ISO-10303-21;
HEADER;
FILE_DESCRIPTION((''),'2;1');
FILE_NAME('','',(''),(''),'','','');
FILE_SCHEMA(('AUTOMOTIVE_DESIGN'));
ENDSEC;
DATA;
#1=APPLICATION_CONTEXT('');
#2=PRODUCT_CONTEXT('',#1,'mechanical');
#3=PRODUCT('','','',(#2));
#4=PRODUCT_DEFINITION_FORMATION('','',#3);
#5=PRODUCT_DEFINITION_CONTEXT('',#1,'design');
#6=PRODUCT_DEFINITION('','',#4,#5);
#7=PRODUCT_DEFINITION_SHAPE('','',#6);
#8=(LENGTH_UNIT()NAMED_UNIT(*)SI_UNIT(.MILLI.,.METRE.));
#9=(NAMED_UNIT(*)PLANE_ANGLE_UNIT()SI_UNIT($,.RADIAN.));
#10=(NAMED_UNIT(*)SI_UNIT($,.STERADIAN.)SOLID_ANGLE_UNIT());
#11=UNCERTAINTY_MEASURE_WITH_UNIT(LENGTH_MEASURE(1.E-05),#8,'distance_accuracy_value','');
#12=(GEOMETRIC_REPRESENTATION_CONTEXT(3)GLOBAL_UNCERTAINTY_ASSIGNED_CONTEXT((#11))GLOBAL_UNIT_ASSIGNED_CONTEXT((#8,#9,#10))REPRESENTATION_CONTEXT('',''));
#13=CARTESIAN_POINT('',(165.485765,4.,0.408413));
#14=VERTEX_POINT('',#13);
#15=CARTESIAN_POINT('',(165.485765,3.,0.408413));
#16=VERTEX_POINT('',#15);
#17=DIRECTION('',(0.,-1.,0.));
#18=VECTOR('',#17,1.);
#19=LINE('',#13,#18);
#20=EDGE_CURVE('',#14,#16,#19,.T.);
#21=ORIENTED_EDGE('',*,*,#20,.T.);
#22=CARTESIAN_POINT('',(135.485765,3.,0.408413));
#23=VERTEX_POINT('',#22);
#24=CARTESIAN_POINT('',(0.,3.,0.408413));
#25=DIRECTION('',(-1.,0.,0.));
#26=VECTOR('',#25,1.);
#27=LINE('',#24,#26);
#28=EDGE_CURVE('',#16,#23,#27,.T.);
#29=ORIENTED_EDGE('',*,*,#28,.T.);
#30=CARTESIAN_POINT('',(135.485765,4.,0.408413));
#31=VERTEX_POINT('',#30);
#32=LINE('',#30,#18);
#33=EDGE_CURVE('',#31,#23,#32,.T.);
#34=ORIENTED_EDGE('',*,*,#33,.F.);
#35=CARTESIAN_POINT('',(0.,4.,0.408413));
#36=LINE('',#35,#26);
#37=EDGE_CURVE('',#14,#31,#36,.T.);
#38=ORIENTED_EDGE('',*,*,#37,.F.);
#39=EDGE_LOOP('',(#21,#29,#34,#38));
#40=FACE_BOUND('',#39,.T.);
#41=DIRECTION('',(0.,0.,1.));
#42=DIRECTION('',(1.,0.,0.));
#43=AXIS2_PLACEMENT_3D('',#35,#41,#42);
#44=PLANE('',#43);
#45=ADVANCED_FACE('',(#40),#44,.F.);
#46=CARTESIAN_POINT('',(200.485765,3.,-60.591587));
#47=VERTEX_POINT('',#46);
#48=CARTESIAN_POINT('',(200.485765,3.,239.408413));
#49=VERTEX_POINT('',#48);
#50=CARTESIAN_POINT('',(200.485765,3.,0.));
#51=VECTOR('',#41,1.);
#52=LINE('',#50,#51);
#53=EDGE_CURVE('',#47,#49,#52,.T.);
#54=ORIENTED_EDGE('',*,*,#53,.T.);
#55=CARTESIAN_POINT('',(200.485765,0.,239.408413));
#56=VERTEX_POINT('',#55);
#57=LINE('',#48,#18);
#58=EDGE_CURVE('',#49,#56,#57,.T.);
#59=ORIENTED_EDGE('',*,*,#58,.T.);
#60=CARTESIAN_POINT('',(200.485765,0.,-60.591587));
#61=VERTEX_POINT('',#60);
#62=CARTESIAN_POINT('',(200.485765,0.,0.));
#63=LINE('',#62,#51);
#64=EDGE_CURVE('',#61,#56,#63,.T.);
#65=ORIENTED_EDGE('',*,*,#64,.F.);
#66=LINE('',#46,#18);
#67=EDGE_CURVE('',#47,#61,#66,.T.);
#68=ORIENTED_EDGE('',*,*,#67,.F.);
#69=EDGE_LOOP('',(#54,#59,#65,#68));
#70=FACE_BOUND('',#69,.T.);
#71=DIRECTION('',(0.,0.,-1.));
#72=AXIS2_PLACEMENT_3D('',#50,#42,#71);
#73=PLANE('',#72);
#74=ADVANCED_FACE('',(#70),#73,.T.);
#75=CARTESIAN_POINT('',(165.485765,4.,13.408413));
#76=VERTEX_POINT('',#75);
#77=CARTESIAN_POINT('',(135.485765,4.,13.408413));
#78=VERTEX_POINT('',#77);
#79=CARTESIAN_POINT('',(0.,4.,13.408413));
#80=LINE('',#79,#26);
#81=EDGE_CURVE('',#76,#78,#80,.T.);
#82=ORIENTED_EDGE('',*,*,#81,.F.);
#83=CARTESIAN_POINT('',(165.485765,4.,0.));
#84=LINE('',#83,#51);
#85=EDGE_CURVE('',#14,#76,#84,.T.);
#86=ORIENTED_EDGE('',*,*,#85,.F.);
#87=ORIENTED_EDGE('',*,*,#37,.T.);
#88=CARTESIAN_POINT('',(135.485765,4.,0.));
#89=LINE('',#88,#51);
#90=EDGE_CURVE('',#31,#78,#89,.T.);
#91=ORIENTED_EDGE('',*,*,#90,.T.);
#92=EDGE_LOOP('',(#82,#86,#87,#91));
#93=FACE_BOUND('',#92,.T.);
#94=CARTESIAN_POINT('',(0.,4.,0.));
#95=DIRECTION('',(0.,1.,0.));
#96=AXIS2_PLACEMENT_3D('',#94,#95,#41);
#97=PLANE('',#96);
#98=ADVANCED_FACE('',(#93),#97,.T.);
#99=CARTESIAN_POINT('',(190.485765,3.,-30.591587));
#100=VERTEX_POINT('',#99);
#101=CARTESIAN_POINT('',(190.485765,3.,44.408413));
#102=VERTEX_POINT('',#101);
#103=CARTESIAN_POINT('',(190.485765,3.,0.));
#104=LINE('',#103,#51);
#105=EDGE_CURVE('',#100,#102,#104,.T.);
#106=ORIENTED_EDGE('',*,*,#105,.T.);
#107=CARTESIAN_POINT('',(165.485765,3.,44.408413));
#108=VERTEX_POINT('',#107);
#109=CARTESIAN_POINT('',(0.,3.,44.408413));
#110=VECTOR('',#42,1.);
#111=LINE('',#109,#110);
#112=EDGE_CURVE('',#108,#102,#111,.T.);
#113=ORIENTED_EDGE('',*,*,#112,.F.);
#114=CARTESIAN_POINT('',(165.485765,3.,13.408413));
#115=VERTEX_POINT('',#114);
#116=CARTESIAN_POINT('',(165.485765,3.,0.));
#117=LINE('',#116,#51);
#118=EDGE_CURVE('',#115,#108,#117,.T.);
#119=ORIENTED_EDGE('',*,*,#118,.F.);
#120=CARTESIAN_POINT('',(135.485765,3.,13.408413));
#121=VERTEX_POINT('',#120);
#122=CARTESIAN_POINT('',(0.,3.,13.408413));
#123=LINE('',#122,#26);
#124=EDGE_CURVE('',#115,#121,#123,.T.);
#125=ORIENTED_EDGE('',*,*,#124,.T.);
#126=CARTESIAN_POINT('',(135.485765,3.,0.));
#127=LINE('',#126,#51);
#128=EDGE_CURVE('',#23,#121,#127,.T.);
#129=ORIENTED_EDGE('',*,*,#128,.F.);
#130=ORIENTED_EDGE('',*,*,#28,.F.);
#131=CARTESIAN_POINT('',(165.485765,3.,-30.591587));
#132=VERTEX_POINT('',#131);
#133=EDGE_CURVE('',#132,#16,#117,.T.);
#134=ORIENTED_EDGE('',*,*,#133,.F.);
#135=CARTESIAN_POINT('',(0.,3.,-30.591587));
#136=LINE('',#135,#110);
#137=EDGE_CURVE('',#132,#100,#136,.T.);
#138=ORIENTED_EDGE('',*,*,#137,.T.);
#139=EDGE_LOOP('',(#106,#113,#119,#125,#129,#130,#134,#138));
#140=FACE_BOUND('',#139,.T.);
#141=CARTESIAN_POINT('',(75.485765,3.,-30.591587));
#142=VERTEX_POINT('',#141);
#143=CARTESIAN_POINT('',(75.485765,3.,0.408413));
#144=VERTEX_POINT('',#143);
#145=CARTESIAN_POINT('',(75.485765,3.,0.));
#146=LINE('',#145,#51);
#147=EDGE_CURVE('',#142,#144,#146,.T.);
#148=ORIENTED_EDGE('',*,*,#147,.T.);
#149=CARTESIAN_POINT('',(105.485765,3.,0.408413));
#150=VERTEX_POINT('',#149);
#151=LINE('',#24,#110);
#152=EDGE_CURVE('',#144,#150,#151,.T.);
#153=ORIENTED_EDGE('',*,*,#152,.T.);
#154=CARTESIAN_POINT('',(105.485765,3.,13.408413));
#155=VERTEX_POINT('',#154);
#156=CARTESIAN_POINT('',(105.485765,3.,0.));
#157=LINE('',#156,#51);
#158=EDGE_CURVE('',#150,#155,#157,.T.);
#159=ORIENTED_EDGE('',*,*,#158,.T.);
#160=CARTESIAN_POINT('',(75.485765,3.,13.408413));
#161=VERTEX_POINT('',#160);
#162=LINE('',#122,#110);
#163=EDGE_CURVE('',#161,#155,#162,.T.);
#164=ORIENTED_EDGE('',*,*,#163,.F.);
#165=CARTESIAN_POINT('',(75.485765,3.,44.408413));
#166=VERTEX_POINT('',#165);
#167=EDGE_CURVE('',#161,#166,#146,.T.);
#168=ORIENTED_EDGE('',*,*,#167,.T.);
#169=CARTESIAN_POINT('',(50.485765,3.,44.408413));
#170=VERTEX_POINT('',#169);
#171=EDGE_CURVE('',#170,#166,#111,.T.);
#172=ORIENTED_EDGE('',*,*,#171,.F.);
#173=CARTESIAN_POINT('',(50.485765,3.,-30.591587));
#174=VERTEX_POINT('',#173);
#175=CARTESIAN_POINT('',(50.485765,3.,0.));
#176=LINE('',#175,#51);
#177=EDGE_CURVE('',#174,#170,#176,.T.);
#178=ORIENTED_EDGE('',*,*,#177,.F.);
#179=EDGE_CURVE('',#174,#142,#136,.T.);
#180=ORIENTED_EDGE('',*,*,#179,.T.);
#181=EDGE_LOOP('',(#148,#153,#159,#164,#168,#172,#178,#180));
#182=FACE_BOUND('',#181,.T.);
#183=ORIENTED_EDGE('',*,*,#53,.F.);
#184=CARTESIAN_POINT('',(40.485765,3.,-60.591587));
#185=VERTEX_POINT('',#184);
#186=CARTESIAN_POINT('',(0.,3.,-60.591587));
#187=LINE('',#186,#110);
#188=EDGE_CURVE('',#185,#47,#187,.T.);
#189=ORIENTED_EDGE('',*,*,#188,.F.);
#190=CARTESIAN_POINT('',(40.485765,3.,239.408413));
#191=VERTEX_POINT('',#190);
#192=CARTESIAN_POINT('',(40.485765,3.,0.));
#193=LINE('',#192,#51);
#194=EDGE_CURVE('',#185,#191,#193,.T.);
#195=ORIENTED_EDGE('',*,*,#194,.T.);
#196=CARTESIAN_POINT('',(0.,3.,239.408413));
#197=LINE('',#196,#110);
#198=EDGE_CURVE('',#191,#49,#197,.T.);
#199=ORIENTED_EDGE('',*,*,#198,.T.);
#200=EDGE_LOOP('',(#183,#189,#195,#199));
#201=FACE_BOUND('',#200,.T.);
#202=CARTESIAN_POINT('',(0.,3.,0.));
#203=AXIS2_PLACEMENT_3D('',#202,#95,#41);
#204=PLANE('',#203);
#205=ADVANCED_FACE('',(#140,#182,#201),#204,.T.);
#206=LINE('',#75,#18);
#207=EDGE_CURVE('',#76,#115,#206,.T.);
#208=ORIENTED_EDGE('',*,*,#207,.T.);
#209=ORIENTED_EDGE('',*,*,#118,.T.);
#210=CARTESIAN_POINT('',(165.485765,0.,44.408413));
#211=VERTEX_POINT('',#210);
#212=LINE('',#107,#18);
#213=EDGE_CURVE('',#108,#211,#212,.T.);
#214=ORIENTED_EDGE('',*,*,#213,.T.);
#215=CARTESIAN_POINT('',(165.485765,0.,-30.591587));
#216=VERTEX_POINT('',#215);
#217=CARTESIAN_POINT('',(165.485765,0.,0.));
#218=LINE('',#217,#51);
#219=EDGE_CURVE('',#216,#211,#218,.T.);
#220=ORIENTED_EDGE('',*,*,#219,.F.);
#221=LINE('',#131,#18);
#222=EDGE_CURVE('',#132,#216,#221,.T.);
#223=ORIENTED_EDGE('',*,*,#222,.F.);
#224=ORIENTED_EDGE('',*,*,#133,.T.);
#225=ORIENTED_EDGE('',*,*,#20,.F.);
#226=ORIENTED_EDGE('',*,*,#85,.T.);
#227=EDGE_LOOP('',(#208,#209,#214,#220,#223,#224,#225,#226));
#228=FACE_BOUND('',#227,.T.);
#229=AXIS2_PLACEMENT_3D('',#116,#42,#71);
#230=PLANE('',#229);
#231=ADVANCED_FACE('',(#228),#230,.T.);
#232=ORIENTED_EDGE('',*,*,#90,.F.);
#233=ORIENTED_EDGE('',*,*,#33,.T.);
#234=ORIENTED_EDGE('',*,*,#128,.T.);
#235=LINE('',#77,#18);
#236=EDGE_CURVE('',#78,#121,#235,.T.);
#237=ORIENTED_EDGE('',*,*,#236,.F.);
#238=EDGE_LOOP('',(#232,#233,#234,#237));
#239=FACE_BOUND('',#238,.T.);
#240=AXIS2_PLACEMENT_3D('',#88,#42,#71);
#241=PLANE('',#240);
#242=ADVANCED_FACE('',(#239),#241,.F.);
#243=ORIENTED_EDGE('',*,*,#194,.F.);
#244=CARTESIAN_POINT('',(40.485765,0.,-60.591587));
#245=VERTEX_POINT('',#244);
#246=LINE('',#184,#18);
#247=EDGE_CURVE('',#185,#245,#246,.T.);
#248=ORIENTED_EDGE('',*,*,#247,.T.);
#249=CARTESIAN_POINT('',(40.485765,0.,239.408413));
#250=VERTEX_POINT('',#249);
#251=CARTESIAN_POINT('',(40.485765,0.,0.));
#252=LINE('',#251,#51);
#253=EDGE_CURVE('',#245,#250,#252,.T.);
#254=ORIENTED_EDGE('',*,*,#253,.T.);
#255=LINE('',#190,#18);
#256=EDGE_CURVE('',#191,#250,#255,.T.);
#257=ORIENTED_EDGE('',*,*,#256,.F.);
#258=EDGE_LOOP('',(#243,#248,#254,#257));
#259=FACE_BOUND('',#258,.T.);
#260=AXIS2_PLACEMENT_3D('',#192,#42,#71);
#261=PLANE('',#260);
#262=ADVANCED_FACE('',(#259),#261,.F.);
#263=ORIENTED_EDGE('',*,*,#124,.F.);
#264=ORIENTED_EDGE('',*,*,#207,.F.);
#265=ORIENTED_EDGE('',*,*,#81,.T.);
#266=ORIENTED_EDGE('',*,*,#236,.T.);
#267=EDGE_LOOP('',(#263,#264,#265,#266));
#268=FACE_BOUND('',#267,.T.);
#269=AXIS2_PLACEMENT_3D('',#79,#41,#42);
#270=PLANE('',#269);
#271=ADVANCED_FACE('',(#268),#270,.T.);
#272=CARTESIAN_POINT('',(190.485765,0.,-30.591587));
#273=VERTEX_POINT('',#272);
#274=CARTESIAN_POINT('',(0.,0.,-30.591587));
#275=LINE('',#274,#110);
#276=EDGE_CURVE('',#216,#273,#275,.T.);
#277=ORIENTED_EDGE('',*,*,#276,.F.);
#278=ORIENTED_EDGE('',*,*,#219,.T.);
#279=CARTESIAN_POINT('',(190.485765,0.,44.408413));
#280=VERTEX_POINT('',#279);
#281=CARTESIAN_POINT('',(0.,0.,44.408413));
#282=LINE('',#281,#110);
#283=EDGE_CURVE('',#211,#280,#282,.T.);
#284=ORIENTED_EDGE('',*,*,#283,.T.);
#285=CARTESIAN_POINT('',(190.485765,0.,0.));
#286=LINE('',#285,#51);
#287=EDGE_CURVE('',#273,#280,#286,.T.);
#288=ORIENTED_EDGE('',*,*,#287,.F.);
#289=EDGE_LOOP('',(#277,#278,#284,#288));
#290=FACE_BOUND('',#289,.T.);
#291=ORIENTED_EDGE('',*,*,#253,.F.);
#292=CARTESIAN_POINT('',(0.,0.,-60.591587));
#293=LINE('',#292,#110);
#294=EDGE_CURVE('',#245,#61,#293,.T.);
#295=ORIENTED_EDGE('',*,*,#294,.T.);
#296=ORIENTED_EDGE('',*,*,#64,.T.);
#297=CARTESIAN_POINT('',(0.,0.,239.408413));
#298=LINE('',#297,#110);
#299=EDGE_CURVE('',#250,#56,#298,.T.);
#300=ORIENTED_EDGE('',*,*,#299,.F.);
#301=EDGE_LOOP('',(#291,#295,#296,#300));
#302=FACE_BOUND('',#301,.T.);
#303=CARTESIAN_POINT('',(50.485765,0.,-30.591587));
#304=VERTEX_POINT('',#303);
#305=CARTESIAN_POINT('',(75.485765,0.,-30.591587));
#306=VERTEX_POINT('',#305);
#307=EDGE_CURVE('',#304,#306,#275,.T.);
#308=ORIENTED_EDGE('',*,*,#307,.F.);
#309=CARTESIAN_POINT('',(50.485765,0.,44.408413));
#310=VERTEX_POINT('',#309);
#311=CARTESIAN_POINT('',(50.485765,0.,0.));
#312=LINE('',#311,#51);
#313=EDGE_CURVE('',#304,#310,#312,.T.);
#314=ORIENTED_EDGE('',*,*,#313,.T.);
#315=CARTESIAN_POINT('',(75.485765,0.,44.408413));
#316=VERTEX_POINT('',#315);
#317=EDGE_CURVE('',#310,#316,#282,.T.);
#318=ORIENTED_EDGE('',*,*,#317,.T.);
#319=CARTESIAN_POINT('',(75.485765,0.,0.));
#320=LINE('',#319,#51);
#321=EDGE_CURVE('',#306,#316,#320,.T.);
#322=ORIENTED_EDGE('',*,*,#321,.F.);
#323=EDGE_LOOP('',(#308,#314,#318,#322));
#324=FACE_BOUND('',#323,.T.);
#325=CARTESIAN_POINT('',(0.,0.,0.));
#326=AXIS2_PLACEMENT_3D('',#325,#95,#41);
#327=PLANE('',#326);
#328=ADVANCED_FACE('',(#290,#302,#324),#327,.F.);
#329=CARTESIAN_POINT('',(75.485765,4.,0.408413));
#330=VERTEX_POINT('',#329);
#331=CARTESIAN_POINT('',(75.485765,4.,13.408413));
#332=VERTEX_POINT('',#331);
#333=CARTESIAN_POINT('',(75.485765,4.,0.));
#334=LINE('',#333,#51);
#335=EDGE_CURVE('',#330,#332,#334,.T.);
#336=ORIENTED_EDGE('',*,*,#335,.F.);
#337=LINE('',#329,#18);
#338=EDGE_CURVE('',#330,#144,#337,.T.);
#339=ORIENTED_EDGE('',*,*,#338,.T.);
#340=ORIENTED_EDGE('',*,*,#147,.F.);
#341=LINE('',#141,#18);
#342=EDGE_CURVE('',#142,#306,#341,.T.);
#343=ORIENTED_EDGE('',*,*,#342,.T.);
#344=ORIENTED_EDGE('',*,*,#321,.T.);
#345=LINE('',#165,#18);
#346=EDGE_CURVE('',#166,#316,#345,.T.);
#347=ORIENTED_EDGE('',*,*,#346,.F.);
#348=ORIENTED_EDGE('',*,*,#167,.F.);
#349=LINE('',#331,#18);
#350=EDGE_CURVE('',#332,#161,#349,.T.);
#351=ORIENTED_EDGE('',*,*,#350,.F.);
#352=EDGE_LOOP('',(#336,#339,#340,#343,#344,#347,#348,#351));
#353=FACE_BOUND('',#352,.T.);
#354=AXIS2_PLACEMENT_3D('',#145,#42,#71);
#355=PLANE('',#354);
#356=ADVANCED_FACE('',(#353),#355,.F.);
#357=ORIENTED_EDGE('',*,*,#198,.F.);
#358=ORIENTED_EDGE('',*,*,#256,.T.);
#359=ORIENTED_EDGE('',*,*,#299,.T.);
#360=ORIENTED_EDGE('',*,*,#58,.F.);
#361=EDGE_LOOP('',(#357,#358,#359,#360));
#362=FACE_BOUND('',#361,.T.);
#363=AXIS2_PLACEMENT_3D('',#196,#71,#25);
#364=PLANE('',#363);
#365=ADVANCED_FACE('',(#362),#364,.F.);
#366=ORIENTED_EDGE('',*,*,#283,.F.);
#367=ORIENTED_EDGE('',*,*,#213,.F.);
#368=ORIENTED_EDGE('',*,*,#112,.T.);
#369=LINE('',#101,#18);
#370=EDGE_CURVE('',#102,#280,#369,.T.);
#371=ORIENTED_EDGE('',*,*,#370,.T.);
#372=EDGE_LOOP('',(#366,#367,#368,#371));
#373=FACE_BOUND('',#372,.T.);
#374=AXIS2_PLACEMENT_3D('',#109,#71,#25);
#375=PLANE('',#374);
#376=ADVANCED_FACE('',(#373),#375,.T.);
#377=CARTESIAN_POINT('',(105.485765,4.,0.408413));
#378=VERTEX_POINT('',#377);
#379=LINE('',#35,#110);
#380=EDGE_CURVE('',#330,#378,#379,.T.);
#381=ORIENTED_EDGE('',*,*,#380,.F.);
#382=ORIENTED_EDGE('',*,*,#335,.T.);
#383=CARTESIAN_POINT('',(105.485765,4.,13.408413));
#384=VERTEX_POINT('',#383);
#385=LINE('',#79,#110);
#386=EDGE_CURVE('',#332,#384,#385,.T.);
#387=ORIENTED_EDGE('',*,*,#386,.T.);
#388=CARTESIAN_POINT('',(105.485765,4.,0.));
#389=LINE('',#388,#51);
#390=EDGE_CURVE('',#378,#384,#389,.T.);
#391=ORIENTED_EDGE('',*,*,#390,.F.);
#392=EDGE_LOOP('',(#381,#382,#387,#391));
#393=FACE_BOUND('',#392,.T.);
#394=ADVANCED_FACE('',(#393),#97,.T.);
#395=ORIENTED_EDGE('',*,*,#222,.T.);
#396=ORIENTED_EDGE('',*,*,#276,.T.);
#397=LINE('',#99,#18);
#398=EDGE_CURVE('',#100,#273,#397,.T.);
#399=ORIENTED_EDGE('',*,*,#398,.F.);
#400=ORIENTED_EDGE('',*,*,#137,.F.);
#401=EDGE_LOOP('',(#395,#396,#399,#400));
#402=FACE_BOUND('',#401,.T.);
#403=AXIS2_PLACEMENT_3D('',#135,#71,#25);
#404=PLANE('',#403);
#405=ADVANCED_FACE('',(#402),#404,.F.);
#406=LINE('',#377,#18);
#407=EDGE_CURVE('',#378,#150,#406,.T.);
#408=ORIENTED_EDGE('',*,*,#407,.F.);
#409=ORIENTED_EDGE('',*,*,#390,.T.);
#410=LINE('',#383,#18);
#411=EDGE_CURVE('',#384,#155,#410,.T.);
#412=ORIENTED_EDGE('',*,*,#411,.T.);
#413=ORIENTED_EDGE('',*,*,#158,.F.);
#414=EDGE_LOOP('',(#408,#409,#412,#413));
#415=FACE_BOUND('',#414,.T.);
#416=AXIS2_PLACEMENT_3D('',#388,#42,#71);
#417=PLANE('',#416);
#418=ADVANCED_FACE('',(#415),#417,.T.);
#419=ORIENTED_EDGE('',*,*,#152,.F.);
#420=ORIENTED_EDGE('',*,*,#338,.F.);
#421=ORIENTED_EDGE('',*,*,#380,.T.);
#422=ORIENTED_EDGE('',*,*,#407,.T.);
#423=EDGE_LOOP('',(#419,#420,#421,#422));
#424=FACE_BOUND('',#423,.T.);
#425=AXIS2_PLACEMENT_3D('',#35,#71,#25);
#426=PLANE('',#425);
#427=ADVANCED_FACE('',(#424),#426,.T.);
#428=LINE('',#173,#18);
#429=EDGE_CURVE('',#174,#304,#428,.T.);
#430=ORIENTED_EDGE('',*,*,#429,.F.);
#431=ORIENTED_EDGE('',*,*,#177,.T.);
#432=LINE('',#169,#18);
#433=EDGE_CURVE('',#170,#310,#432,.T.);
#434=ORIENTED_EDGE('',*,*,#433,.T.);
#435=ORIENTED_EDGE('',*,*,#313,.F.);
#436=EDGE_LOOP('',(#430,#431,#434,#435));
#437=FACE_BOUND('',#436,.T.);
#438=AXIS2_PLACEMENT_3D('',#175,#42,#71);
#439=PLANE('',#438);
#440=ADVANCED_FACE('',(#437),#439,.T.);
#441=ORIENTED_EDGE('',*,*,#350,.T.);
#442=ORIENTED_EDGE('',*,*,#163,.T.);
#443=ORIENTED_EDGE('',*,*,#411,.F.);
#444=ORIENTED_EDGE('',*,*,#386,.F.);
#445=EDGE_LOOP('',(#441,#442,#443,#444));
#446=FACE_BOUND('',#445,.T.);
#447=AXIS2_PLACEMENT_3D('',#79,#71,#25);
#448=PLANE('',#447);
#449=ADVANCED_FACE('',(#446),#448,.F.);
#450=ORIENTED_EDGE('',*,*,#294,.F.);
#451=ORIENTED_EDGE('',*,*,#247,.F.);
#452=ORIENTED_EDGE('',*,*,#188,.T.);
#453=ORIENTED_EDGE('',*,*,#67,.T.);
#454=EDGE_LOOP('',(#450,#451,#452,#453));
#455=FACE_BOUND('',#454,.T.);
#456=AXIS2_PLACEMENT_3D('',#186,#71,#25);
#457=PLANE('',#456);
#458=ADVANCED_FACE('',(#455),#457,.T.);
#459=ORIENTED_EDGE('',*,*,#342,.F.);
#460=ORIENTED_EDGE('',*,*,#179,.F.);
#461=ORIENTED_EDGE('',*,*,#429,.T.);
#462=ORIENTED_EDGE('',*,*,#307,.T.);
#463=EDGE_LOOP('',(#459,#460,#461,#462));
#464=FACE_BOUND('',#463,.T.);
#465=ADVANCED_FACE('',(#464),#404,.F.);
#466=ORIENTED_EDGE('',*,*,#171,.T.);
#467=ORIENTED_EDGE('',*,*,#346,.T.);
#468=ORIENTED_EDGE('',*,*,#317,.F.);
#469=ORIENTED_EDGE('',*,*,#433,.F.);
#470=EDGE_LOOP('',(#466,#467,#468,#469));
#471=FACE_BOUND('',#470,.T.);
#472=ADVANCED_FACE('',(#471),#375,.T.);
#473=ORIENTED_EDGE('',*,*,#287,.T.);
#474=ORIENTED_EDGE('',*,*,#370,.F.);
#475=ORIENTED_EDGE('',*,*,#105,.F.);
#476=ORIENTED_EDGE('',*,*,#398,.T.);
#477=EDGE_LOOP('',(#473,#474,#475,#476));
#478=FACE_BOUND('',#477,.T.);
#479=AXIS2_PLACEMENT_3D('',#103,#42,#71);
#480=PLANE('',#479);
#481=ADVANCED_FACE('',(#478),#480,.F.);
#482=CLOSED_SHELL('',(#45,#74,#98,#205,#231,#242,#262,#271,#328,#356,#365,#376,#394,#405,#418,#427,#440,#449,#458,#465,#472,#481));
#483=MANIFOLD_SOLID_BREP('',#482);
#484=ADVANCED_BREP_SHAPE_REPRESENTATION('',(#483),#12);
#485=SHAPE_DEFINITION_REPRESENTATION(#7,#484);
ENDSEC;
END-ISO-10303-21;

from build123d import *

# Parameters (mm, degrees)
SKETCH1_W           = 160
SKETCH1_H           = 300
BOSS_EXTRUDE1_DEPTH = 3
SKETCH1_3_W         = 30
SKETCH1_3_H         = 13
BOSS_EXTRUDE2_DEPTH = 4


with BuildPart() as part:
    # Sketch1 → Boss-Extrude1 (new body)
    with BuildSketch(Plane(origin=(0, 0, 0), x_dir=(1, 0, 0), z_dir=(0, 1, 0))):
        with Locations((120.485764952, -89.40841277)):
            Rectangle(SKETCH1_W, SKETCH1_H)
        Polygon((50.485764952, -44.40841277), (50.485764952, 30.59158723), (75.485764952, 30.59158723), (75.485764952, -0.40841277), (105.485764952, -0.40841277), (105.485764952, -13.40841277), (75.485764952, -13.40841277), (75.485764952, -44.40841277), align=None, mode=Mode.SUBTRACT)
        Polygon((165.485764952, -0.40841277), (165.485764952, 30.59158723), (190.485764952, 30.59158723), (190.485764952, -44.40841277), (165.485764952, -44.40841277), (165.485764952, -13.40841277), (135.485764952, -13.40841277), (135.485764952, -0.40841277), align=None, mode=Mode.SUBTRACT)
    extrude(amount=BOSS_EXTRUDE1_DEPTH)

    # Sketch1<3> → Boss-Extrude2 (add)
    with BuildSketch(Plane(origin=(0, 0, 0), x_dir=(1, 0, 0), z_dir=(0, 1, 0))):
        with Locations((90.485764952, -6.90841277)):
            Rectangle(SKETCH1_3_W, SKETCH1_3_H)
        with Locations((150.485764952, -6.90841277)):
            Rectangle(SKETCH1_3_W, SKETCH1_3_H)
    extrude(amount=BOSS_EXTRUDE2_DEPTH)


solid = part.part
